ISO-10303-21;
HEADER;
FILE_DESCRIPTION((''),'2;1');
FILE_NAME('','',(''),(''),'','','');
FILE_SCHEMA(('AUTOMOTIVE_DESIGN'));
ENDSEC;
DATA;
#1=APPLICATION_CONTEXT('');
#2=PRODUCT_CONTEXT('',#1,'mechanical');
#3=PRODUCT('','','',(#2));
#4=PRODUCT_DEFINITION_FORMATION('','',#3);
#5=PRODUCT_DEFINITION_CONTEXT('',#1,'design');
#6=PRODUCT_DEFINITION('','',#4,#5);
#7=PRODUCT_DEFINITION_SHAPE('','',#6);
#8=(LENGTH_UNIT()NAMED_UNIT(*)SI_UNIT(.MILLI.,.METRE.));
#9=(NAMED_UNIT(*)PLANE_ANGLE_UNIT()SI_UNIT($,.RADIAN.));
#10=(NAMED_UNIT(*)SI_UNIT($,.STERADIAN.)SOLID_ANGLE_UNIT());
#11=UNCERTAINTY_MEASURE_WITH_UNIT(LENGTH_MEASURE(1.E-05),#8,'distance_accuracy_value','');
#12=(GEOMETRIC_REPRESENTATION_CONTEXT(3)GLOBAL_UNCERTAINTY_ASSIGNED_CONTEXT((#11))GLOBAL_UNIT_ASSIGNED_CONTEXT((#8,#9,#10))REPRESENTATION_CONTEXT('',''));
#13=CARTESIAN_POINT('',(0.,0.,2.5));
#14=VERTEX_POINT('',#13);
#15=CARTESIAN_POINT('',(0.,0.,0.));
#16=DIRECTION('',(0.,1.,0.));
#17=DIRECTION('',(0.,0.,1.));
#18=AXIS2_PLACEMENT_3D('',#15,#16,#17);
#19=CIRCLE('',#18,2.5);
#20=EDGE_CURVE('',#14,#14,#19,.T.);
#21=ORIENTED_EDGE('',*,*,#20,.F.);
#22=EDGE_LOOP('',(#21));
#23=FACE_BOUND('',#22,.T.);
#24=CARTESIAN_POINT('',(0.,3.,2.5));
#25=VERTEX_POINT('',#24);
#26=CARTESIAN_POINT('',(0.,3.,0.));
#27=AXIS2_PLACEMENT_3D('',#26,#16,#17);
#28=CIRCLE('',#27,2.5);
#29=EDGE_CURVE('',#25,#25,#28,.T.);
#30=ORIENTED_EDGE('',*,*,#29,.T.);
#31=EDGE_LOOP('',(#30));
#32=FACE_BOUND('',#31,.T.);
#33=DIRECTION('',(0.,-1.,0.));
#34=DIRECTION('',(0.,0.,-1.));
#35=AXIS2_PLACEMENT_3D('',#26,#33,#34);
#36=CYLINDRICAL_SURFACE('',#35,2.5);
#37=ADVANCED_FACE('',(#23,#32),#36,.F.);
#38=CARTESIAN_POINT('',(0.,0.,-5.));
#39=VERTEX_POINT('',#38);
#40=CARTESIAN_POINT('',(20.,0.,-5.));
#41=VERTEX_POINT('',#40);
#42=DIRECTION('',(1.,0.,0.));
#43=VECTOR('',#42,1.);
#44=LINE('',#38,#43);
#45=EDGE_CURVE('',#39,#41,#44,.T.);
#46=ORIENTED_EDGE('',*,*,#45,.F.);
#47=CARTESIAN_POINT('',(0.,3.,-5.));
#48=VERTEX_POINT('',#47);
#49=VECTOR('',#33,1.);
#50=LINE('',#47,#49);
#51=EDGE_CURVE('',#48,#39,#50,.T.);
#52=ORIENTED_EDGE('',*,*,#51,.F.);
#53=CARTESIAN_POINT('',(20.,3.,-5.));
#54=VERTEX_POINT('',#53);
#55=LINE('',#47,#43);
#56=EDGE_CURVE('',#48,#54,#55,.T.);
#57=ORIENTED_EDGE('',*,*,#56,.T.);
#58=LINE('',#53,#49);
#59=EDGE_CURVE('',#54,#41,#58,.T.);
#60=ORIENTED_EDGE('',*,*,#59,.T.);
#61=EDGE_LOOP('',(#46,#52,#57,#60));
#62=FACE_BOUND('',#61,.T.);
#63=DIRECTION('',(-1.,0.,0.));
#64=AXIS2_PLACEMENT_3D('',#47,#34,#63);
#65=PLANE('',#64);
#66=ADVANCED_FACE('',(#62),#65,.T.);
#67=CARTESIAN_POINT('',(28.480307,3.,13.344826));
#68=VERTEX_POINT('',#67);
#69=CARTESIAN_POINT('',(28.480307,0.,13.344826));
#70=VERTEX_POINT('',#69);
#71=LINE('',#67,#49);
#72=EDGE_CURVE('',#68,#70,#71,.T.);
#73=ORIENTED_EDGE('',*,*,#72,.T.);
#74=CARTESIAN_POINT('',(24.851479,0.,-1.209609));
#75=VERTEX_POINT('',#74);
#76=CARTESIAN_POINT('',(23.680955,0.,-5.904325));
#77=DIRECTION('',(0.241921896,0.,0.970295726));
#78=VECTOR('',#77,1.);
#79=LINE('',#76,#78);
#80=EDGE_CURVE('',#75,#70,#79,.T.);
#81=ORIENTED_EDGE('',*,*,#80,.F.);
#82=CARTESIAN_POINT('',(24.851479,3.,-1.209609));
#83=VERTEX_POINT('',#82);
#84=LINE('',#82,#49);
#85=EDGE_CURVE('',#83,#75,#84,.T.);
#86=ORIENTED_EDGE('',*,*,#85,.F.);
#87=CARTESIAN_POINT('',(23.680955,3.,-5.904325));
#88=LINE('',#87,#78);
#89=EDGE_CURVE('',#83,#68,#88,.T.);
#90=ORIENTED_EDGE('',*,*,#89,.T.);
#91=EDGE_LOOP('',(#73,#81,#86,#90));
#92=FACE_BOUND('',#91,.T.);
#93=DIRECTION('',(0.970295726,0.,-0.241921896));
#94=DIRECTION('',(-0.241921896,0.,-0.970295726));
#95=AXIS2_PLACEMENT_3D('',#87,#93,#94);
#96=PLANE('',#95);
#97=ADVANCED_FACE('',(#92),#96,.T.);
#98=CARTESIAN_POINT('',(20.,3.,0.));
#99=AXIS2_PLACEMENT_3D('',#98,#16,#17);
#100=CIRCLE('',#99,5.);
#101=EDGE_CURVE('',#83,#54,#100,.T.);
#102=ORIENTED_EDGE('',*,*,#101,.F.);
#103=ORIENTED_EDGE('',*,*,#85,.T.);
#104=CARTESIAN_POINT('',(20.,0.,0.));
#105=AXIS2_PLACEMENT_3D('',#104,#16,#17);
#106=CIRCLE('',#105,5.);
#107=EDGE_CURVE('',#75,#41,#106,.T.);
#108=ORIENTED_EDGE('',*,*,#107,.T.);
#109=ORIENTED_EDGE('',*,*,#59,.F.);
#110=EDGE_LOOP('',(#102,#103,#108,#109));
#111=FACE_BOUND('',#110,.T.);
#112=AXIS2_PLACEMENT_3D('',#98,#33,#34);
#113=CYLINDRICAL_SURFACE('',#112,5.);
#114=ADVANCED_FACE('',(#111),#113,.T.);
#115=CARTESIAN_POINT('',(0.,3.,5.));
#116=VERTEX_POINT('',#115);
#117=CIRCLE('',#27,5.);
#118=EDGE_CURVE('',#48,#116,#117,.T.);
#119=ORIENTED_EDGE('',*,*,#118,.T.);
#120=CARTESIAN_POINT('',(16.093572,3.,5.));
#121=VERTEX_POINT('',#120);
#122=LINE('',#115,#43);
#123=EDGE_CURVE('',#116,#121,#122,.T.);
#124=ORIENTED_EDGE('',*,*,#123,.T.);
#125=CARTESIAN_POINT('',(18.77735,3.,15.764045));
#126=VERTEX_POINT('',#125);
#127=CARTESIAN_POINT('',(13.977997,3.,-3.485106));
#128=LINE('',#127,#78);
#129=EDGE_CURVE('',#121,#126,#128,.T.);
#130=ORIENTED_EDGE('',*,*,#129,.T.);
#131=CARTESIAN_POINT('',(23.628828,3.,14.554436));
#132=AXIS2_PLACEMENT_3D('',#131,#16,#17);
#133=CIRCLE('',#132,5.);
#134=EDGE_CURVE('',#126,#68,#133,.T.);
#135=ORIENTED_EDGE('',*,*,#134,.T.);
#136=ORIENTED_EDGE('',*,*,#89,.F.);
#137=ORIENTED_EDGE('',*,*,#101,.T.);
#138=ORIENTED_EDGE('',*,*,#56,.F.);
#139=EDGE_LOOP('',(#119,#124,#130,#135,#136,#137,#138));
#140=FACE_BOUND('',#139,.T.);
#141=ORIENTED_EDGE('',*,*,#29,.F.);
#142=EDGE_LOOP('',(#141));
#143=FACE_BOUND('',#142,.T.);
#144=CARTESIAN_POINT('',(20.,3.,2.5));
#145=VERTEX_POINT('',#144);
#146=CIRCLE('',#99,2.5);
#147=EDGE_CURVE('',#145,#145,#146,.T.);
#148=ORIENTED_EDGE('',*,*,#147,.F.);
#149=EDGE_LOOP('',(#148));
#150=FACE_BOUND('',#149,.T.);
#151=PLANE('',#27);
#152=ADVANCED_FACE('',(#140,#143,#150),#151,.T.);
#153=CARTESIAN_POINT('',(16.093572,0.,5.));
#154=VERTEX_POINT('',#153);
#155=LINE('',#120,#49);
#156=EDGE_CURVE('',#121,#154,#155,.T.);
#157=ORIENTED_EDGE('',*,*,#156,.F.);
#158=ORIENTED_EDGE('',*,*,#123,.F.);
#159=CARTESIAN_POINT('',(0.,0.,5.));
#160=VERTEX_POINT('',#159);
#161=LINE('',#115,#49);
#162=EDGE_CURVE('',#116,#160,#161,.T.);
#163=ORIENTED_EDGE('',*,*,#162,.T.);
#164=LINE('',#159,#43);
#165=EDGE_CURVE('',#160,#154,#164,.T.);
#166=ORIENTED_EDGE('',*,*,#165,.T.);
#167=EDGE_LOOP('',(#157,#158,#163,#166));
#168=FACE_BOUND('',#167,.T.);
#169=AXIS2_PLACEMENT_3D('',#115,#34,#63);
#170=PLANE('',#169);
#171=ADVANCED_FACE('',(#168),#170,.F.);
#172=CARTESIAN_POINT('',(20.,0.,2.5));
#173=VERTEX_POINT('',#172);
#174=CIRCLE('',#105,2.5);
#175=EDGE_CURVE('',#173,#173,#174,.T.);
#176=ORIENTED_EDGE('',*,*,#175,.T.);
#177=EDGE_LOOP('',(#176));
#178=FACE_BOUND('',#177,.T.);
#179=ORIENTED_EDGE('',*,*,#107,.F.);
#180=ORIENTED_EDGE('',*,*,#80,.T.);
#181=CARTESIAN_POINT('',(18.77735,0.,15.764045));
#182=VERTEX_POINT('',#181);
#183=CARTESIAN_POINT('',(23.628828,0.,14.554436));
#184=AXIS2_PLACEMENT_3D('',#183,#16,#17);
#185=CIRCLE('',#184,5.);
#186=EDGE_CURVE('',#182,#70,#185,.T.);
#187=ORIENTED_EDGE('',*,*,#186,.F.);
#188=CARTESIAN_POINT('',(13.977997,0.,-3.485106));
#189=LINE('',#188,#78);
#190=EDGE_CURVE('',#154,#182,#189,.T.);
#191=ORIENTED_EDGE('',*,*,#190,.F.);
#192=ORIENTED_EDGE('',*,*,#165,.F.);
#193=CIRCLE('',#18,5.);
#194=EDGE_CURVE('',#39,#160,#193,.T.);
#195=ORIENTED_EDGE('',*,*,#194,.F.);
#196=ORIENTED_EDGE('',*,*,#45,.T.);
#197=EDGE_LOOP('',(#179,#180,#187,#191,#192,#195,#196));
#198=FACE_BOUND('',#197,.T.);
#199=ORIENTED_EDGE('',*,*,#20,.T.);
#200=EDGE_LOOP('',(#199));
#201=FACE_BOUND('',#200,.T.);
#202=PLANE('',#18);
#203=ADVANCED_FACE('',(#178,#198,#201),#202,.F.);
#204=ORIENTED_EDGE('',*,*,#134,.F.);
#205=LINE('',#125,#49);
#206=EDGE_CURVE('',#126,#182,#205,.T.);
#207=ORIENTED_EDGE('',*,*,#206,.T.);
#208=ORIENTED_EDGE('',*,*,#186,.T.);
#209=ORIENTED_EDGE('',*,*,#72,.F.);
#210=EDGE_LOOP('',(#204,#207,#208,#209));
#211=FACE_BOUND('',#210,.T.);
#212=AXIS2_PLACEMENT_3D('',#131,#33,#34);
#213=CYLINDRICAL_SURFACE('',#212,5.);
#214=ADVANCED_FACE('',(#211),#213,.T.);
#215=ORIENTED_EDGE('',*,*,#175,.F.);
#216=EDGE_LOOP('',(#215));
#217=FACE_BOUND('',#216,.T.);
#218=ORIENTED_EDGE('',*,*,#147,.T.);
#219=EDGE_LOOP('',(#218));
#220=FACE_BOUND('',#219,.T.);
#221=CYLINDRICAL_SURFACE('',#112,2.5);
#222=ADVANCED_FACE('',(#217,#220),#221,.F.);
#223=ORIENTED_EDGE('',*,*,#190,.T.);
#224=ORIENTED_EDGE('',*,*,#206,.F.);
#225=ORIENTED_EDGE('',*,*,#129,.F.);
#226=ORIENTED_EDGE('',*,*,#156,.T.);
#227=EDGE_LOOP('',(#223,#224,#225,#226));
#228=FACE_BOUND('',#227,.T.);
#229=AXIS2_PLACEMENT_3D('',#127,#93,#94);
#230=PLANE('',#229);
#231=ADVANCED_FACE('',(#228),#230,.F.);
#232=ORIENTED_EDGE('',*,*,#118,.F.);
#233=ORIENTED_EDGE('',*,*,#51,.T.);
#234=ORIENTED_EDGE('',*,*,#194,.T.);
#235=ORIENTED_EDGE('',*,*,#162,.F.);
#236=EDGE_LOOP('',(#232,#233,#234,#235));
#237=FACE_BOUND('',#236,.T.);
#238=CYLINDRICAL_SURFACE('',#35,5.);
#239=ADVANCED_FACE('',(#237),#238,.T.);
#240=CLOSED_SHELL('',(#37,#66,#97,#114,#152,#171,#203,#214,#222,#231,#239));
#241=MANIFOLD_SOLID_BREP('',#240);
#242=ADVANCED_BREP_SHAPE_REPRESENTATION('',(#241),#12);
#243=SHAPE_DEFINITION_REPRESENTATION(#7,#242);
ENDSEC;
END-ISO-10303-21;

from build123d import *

# Parameters (mm, degrees)
SKETCH1_R           = 2.5
BOSS_EXTRUDE1_DEPTH = 3


with BuildPart() as part:
    # Sketch1 → Boss-Extrude1 (new body)
    # profile 1 of 3: a face of its own
    with BuildSketch(Plane(origin=(0, 0, 0), x_dir=(1, 0, 0), z_dir=(0, 1, 0))):
        with BuildLine():
            Line((20, 5), (0, 5))
            ThreePointArc((0, 5), (-5, 0), (0, -5))
            Line((0, -5), (16.093571867, -5))
            Line((16.093571867, -5), (15.148521369, -1.209609478))
            ThreePointArc((15.148521369, -1.209609478), (16.059946232, 3.078307377), (20, 5))
        make_face()
        with Locations(Location((0, 0, 0), (0, 0, 270))):
            Circle(SKETCH1_R, mode=Mode.SUBTRACT)
    # profile 2 of 3: a face of its own
    with BuildSketch(Plane(origin=(0, 0, 0), x_dir=(1, 0, 0), z_dir=(0, 1, 0))):
        with BuildLine():
            ThreePointArc((24.851478631, 1.209609478), (23.078307377, 3.940053768), (20, 5))
            ThreePointArc((20, 5), (16.059946232, 3.078307377), (15.148521369, -1.209609478))
            Line((15.148521369, -1.209609478), (16.093571867, -5))
            Line((16.093571867, -5), (20, -5))
            ThreePointArc((20, -5), (23.940053768, -3.078307377), (24.851478631, 1.209609478))
        make_face()
        with Locations(Location((20, 0, 0), (0, 0, 270))):
            Circle(SKETCH1_R, mode=Mode.SUBTRACT)
    # profile 3 of 3: a face of its own
    with BuildSketch(Plane(origin=(0, 0, 0), x_dir=(1, 0, 0), z_dir=(0, 1, 0))):
        with BuildLine():
            Line((28.480307065, -13.344826416), (24.851478631, 1.209609478))
            ThreePointArc((24.851478631, 1.209609478), (23.940053768, -3.078307377), (20, -5))
            Line((20, -5), (16.093571867, -5))
            Line((16.093571867, -5), (18.777349803, -15.764045372))
            ThreePointArc((18.777349803, -15.764045372), (24.838437912, -19.405914526), (28.480307065, -13.344826416))
        make_face()
    extrude(amount=BOSS_EXTRUDE1_DEPTH)


solid = part.part
